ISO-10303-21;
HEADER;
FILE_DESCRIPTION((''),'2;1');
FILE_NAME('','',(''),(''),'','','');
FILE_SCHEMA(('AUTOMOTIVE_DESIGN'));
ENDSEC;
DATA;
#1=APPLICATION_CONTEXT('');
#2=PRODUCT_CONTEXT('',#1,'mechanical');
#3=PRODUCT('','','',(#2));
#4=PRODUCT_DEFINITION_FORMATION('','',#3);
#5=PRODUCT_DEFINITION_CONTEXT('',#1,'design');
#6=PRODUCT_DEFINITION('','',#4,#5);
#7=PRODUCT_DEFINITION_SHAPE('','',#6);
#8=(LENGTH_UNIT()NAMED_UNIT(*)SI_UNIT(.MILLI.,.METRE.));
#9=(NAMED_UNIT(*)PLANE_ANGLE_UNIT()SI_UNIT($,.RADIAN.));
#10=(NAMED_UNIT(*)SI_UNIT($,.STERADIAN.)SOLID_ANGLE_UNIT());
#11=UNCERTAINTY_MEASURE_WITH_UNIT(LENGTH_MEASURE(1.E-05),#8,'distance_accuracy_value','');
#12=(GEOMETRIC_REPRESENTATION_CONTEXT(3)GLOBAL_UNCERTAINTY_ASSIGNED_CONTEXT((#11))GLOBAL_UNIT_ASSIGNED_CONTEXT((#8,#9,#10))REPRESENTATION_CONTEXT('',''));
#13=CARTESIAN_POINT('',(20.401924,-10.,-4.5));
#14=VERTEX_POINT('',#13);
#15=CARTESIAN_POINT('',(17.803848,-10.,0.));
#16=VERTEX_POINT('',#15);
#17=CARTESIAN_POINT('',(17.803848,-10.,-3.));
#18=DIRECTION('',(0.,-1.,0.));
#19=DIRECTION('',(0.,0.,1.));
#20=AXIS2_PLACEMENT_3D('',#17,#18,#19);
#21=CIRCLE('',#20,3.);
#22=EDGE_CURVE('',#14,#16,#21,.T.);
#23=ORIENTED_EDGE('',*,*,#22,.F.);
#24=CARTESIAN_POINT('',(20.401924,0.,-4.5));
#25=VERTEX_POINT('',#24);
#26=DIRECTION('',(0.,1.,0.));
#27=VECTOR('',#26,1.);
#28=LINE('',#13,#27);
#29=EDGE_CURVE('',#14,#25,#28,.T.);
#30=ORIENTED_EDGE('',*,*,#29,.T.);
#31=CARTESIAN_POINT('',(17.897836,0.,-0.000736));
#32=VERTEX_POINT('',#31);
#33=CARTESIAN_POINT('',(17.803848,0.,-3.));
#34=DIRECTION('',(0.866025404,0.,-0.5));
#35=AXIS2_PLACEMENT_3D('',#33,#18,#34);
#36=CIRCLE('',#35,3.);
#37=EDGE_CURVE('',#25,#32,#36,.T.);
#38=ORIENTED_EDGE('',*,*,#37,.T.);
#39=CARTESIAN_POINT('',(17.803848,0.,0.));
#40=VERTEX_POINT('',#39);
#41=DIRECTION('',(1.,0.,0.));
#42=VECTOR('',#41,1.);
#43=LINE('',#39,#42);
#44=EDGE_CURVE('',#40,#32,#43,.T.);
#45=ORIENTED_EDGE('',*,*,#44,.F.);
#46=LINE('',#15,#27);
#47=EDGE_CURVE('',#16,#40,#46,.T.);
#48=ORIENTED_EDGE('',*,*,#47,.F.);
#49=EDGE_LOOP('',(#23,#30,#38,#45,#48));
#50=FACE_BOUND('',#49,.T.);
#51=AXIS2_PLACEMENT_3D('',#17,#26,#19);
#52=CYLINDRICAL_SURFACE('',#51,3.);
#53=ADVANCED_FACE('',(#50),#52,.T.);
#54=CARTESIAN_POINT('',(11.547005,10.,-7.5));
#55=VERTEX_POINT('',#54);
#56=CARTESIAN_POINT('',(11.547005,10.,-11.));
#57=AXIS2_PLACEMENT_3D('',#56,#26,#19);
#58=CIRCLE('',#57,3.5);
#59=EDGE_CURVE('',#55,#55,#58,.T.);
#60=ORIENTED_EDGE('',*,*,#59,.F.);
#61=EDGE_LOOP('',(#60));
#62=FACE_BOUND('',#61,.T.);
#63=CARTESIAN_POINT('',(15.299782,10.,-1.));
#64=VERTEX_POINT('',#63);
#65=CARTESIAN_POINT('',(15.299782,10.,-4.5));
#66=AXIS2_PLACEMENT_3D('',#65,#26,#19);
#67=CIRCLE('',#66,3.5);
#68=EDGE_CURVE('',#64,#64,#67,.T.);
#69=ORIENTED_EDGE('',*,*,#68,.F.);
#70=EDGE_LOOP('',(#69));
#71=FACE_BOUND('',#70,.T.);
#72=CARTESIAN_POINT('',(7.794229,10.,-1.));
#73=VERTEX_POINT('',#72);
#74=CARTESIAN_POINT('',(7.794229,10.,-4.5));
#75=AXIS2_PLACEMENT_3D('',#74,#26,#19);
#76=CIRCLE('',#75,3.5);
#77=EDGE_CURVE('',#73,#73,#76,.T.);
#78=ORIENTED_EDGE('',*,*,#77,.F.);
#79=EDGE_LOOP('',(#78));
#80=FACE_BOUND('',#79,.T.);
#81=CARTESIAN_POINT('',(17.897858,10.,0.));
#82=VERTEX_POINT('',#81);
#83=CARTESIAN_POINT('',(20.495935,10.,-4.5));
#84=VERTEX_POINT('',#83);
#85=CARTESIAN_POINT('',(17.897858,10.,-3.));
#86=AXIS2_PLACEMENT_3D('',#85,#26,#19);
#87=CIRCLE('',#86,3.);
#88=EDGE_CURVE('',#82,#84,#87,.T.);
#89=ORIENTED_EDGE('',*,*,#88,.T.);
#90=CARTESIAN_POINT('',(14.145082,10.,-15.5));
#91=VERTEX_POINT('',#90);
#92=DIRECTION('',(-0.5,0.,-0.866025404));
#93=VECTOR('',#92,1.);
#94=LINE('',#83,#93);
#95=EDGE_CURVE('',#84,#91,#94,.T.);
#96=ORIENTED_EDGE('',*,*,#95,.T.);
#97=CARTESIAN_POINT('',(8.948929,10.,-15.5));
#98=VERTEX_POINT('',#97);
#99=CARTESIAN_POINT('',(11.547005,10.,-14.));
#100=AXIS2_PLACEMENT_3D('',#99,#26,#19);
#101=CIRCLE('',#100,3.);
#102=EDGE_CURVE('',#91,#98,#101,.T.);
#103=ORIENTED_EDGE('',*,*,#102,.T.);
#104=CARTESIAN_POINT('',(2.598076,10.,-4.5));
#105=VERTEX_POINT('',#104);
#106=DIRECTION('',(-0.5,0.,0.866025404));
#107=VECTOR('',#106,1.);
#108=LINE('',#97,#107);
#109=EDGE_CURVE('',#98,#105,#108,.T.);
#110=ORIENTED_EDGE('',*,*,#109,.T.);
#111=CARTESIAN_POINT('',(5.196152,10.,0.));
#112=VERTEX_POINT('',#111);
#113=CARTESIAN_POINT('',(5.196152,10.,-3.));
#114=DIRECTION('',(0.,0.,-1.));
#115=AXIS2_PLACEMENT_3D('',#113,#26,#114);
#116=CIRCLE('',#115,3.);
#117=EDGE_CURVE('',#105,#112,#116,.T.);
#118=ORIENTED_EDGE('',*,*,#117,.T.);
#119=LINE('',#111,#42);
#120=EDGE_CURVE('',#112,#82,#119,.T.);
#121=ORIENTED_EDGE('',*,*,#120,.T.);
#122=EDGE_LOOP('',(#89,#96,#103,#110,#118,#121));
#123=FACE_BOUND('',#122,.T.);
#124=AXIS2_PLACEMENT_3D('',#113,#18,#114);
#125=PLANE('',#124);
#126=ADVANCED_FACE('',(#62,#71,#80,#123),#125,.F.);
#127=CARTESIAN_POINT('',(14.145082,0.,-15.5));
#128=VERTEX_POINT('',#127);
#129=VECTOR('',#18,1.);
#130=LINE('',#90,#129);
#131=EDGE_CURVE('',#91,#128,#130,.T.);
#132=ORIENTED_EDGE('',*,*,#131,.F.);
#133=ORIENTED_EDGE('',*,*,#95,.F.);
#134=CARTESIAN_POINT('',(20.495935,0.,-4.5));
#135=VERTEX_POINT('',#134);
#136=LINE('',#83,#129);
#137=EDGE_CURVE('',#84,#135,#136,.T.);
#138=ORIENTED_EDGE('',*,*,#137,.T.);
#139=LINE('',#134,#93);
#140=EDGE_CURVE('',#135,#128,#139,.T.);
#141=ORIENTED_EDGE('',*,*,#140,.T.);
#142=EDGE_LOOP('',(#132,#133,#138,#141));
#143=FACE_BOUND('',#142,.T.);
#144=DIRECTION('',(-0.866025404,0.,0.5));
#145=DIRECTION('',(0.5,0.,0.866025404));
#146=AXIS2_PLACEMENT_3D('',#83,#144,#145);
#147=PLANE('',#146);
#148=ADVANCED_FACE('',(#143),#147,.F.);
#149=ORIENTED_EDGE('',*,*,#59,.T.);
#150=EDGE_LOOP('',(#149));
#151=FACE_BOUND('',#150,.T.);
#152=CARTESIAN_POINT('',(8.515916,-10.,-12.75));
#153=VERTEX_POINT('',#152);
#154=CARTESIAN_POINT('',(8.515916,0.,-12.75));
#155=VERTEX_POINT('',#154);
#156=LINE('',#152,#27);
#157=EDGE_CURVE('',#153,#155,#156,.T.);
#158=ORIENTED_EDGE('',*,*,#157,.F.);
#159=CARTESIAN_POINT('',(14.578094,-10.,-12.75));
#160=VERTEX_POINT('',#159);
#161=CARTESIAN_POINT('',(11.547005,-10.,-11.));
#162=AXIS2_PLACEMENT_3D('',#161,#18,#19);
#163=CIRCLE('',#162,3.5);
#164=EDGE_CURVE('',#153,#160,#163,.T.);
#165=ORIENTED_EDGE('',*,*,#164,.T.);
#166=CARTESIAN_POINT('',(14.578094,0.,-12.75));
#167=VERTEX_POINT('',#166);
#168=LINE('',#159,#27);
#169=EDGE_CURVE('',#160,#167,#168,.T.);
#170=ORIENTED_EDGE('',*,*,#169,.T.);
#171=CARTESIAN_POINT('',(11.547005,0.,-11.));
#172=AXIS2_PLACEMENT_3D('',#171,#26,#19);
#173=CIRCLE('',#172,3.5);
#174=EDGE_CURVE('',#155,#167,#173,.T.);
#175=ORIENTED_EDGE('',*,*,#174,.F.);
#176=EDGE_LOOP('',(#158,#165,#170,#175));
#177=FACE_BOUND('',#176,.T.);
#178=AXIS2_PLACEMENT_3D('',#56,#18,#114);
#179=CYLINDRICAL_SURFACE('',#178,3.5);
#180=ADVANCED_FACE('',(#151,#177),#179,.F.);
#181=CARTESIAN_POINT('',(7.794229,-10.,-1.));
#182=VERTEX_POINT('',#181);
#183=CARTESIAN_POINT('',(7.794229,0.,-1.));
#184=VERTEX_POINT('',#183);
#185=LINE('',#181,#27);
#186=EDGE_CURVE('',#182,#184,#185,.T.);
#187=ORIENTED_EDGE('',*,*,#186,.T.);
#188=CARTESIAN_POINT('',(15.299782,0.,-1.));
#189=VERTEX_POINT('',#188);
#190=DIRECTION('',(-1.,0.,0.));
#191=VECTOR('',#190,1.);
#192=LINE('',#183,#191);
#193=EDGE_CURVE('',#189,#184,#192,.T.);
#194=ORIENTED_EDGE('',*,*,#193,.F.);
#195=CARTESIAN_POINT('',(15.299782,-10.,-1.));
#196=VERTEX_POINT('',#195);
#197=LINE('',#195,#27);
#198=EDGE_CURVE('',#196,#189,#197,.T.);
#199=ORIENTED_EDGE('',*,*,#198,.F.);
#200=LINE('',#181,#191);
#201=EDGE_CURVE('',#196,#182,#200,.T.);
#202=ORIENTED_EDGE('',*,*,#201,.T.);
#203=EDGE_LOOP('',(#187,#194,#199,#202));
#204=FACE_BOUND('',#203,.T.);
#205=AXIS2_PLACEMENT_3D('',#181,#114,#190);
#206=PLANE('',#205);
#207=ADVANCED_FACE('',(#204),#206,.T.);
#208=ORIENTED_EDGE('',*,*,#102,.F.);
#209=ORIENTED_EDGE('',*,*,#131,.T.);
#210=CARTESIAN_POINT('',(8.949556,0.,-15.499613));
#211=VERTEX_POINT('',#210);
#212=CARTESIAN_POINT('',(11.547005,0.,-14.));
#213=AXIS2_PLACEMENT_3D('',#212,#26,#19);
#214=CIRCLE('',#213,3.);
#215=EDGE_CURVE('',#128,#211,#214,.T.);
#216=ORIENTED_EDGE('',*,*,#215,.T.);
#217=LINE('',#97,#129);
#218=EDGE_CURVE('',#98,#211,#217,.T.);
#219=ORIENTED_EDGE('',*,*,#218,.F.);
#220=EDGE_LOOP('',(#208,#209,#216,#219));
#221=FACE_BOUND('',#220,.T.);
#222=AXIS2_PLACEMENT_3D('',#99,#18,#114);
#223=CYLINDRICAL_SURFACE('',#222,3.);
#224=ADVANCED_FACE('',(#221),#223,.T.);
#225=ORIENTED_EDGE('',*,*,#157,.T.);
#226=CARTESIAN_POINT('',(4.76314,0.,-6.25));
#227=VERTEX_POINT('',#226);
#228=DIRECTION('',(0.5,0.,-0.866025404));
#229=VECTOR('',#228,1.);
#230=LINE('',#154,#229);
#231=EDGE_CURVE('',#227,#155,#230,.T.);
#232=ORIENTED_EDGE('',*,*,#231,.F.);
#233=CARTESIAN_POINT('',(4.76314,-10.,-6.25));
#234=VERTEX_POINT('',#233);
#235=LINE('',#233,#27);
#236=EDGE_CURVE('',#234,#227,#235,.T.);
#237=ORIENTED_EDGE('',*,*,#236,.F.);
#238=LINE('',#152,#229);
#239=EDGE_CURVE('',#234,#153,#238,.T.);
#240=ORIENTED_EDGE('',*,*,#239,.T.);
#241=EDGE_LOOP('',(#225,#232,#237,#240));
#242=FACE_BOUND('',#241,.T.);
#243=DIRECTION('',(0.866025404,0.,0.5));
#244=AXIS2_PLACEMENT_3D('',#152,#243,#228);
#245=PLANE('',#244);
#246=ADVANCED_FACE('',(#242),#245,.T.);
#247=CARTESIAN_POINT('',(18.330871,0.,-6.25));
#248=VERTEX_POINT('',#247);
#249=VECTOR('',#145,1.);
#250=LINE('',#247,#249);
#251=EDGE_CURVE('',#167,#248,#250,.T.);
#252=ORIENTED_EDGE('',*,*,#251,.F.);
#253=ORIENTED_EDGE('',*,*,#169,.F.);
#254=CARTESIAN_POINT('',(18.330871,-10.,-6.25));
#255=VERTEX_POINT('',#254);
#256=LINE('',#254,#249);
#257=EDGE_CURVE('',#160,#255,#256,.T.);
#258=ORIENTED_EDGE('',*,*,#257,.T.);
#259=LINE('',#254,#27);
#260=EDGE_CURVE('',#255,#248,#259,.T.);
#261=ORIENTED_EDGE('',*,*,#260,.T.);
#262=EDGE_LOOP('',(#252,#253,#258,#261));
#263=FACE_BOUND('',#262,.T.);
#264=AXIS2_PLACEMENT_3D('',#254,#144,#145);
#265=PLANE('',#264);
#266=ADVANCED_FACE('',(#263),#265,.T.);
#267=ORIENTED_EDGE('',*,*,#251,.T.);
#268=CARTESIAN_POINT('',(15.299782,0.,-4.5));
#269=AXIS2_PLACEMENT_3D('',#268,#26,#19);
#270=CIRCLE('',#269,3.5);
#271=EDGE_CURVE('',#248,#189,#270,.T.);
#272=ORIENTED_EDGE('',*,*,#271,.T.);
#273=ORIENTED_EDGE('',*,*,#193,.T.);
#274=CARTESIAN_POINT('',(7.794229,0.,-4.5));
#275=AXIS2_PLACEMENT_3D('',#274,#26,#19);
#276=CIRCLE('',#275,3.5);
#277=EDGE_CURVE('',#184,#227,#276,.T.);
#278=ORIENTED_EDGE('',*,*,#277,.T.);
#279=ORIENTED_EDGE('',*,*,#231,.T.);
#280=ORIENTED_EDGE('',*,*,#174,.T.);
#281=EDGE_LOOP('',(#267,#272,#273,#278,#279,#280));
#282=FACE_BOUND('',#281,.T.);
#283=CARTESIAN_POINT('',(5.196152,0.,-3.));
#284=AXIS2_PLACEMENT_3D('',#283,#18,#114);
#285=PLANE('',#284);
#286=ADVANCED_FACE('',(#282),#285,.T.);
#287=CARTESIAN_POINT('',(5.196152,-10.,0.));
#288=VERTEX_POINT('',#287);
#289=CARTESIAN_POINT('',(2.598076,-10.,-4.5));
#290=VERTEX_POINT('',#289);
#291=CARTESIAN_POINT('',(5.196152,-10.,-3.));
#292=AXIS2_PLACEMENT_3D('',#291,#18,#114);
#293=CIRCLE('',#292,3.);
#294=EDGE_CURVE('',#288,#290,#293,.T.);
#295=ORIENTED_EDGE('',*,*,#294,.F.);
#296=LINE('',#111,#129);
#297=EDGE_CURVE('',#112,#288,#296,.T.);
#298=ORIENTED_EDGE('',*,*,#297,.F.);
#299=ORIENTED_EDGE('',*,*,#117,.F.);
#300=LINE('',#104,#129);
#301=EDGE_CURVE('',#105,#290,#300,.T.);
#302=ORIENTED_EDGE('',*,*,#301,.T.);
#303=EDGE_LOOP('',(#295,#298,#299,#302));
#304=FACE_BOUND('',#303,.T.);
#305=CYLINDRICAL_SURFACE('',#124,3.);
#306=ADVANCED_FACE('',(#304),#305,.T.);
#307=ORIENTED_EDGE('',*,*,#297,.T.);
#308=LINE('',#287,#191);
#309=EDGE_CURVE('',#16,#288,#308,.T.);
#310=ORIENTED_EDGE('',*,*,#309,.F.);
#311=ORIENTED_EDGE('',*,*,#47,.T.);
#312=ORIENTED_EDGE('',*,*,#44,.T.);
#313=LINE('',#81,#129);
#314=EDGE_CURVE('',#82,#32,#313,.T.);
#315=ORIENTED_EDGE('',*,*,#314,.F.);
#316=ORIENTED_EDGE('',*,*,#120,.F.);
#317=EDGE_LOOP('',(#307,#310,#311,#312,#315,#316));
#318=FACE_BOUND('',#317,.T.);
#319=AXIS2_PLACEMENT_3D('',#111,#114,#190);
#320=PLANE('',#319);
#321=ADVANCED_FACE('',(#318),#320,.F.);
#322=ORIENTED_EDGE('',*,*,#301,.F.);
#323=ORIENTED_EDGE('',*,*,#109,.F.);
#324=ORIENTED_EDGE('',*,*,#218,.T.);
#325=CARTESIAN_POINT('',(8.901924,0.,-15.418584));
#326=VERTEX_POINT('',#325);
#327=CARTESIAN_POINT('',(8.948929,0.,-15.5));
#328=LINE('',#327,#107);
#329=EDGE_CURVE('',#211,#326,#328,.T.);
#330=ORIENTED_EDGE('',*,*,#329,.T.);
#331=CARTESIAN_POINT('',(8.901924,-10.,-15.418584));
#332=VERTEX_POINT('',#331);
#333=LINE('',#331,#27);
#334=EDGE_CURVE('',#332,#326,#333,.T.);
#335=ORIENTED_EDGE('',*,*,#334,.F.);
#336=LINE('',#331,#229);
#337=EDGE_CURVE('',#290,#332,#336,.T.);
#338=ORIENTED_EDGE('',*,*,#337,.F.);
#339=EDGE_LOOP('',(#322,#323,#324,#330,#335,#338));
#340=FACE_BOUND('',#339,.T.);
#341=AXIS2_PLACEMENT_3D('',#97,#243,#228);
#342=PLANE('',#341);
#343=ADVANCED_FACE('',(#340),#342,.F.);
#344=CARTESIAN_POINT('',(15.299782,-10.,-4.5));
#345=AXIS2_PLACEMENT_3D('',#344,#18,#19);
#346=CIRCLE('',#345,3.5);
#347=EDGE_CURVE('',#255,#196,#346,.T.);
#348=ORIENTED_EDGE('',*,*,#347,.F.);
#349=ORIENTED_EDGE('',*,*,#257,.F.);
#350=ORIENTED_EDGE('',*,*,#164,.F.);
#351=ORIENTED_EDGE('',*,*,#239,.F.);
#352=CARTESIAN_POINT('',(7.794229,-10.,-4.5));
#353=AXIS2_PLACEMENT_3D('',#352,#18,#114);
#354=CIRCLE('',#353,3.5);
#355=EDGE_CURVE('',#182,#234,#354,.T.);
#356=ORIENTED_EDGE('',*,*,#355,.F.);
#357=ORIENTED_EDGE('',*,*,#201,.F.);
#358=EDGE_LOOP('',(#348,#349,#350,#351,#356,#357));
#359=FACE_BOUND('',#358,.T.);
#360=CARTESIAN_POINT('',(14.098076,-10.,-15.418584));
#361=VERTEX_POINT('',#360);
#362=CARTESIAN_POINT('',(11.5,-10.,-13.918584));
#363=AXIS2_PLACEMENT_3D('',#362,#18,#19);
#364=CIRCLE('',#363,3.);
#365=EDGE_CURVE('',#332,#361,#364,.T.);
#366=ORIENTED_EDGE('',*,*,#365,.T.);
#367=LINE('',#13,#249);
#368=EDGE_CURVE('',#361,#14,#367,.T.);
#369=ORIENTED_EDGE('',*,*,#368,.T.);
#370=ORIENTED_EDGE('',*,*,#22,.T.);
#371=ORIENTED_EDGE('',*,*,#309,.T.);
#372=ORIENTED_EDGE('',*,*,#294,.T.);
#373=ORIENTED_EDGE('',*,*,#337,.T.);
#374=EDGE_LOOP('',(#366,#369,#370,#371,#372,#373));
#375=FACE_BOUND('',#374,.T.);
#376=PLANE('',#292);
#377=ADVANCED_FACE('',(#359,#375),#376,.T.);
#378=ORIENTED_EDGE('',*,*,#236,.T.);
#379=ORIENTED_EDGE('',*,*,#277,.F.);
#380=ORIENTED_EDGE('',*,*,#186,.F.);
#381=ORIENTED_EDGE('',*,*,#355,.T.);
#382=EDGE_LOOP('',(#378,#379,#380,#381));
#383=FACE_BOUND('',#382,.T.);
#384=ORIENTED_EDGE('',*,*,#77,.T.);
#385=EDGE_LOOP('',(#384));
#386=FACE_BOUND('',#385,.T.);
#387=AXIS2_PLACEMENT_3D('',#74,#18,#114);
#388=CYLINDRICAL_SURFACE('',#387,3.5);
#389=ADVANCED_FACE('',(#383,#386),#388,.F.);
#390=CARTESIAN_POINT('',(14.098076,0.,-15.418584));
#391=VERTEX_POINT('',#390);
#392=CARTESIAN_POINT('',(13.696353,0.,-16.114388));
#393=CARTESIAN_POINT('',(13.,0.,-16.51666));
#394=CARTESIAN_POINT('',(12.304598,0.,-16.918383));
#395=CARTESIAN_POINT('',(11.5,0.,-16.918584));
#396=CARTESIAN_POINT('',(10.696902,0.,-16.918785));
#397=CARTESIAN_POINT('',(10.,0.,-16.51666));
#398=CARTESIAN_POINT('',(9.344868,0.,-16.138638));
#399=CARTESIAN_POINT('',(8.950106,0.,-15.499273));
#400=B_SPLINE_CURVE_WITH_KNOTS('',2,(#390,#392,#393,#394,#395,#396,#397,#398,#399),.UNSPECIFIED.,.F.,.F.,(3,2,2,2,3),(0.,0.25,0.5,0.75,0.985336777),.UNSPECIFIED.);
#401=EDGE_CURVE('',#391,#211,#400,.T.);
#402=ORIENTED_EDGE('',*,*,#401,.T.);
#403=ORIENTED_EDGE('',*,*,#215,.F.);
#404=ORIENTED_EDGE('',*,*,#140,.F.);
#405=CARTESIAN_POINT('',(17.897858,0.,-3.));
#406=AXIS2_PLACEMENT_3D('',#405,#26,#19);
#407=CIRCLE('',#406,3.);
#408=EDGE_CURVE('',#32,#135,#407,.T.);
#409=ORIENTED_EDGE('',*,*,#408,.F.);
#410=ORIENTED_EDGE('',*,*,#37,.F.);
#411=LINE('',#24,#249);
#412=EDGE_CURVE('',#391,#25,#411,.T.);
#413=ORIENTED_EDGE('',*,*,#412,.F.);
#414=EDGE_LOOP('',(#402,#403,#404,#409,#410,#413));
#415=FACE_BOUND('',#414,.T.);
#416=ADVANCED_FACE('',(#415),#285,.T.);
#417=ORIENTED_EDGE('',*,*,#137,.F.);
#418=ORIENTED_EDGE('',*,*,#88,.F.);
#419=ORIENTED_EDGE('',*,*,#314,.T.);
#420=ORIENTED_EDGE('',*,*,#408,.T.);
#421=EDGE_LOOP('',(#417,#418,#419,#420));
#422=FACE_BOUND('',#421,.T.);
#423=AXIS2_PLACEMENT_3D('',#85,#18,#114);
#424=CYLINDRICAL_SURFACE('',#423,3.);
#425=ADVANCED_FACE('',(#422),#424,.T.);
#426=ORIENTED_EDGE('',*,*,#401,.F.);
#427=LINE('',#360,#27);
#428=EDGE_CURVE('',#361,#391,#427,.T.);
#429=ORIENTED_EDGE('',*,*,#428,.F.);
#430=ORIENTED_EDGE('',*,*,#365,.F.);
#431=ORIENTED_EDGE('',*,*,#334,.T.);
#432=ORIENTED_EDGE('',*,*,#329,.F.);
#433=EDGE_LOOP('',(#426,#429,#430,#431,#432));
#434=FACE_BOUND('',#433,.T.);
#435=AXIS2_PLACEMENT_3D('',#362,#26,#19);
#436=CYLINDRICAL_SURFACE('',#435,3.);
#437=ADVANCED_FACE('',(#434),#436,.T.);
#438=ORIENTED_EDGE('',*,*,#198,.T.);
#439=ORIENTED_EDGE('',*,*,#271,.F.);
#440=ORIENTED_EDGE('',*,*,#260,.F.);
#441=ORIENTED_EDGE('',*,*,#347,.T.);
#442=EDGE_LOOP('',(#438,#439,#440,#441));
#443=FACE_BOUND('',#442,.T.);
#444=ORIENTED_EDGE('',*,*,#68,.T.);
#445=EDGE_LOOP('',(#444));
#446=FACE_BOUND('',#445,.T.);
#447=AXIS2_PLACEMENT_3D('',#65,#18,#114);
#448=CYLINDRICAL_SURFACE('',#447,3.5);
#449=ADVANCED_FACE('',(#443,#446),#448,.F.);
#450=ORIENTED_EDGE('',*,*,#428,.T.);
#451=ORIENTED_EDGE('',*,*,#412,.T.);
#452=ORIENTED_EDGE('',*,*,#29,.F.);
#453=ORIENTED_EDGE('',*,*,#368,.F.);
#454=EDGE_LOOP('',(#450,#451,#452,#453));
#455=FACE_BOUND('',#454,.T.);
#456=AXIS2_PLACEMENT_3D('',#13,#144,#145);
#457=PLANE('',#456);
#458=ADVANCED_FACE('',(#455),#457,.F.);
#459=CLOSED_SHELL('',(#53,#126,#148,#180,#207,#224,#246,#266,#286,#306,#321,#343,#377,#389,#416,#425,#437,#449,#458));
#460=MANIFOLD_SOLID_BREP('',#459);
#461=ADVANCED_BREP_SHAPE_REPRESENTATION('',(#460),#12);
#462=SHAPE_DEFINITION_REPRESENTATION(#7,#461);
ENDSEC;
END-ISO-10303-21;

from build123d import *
from build123d.topology import SkipClean

# Parameters (mm, degrees)
SKETCH_1_R      = 3.5
EXTRUDE_1_DEPTH = 10
EXTRUDE_START   = 10
EXTRUDE_2_DEPTH = 10


with BuildPart() as part:
    # Эскиз1 → Бобышка-Вытянуть1 (new body)
    with BuildSketch(Plane(origin=(0, 0, 0), x_dir=(1, 0, 0), z_dir=(0, 1, 0))):
        with BuildLine():
            Line((5.196152423, 0), (17.897858345, 0))
            ThreePointArc((17.897858345, 0), (20.495934556, 1.5), (20.495934556, 4.5))
            Line((20.495934556, 4.5), (14.145081595, 15.5))
            ThreePointArc((14.145081595, 15.5), (11.547005384, 17), (8.948929172, 15.5))
            Line((8.948929172, 15.5), (2.598076211, 4.5))
            ThreePointArc((2.598076211, 4.5), (2.598076211, 1.5), (5.196152423, 0))
        make_face()
        with Locations(Location((15.299782134, 4.5, 0), (0, 0, 270))):
            Circle(SKETCH_1_R, mode=Mode.SUBTRACT)
        with Locations(Location((11.547005384, 11, 0), (0, 0, 270))):
            Circle(SKETCH_1_R, mode=Mode.SUBTRACT)
        with Locations(Location((7.794228634, 4.5, 0), (0, 0, 270))):
            Circle(SKETCH_1_R, mode=Mode.SUBTRACT)
    extrude(amount=EXTRUDE_1_DEPTH)

    # Эскиз4 → Бобышка-Вытянуть2 (add)
    with SkipClean():  # the faces are left unmerged after this step: merging them gives an invalid solid
        with BuildSketch(Plane(origin=(0, 0, 0), x_dir=(-1, 0, 0), z_dir=(0, -1, 0)).offset(EXTRUDE_START)):
            with BuildLine():
                Line((-5.196152423, 0), (-17.803847577, 0))
                ThreePointArc((-17.803847577, 0), (-20.401923789, 1.5), (-20.401923789, 4.5))
                Line((-20.401923789, 4.5), (-14.098076211, 15.418584287))
                ThreePointArc((-14.098076211, 15.418584287), (-11.5, 16.918584287), (-8.901923789, 15.418584287))
                Line((-8.901923789, 15.418584287), (-2.598076211, 4.5))
                ThreePointArc((-2.598076211, 4.5), (-2.598076211, 1.5), (-5.196152423, 0))
            make_face()
            with BuildLine():
                Line((-7.794228634, 1), (-15.299782134, 1))
                ThreePointArc((-15.299782134, 1), (-18.330871047, 2.75), (-18.330871047, 6.25))
                Line((-18.330871047, 6.25), (-14.578094297, 12.75))
                ThreePointArc((-14.578094297, 12.75), (-11.547005384, 14.5), (-8.515916471, 12.75))
                Line((-8.515916471, 12.75), (-4.763139721, 6.25))
                ThreePointArc((-4.763139721, 6.25), (-4.763139721, 2.75), (-7.794228634, 1))
            make_face(mode=Mode.SUBTRACT)
        extrude(amount=-EXTRUDE_2_DEPTH)


solid = part.part
